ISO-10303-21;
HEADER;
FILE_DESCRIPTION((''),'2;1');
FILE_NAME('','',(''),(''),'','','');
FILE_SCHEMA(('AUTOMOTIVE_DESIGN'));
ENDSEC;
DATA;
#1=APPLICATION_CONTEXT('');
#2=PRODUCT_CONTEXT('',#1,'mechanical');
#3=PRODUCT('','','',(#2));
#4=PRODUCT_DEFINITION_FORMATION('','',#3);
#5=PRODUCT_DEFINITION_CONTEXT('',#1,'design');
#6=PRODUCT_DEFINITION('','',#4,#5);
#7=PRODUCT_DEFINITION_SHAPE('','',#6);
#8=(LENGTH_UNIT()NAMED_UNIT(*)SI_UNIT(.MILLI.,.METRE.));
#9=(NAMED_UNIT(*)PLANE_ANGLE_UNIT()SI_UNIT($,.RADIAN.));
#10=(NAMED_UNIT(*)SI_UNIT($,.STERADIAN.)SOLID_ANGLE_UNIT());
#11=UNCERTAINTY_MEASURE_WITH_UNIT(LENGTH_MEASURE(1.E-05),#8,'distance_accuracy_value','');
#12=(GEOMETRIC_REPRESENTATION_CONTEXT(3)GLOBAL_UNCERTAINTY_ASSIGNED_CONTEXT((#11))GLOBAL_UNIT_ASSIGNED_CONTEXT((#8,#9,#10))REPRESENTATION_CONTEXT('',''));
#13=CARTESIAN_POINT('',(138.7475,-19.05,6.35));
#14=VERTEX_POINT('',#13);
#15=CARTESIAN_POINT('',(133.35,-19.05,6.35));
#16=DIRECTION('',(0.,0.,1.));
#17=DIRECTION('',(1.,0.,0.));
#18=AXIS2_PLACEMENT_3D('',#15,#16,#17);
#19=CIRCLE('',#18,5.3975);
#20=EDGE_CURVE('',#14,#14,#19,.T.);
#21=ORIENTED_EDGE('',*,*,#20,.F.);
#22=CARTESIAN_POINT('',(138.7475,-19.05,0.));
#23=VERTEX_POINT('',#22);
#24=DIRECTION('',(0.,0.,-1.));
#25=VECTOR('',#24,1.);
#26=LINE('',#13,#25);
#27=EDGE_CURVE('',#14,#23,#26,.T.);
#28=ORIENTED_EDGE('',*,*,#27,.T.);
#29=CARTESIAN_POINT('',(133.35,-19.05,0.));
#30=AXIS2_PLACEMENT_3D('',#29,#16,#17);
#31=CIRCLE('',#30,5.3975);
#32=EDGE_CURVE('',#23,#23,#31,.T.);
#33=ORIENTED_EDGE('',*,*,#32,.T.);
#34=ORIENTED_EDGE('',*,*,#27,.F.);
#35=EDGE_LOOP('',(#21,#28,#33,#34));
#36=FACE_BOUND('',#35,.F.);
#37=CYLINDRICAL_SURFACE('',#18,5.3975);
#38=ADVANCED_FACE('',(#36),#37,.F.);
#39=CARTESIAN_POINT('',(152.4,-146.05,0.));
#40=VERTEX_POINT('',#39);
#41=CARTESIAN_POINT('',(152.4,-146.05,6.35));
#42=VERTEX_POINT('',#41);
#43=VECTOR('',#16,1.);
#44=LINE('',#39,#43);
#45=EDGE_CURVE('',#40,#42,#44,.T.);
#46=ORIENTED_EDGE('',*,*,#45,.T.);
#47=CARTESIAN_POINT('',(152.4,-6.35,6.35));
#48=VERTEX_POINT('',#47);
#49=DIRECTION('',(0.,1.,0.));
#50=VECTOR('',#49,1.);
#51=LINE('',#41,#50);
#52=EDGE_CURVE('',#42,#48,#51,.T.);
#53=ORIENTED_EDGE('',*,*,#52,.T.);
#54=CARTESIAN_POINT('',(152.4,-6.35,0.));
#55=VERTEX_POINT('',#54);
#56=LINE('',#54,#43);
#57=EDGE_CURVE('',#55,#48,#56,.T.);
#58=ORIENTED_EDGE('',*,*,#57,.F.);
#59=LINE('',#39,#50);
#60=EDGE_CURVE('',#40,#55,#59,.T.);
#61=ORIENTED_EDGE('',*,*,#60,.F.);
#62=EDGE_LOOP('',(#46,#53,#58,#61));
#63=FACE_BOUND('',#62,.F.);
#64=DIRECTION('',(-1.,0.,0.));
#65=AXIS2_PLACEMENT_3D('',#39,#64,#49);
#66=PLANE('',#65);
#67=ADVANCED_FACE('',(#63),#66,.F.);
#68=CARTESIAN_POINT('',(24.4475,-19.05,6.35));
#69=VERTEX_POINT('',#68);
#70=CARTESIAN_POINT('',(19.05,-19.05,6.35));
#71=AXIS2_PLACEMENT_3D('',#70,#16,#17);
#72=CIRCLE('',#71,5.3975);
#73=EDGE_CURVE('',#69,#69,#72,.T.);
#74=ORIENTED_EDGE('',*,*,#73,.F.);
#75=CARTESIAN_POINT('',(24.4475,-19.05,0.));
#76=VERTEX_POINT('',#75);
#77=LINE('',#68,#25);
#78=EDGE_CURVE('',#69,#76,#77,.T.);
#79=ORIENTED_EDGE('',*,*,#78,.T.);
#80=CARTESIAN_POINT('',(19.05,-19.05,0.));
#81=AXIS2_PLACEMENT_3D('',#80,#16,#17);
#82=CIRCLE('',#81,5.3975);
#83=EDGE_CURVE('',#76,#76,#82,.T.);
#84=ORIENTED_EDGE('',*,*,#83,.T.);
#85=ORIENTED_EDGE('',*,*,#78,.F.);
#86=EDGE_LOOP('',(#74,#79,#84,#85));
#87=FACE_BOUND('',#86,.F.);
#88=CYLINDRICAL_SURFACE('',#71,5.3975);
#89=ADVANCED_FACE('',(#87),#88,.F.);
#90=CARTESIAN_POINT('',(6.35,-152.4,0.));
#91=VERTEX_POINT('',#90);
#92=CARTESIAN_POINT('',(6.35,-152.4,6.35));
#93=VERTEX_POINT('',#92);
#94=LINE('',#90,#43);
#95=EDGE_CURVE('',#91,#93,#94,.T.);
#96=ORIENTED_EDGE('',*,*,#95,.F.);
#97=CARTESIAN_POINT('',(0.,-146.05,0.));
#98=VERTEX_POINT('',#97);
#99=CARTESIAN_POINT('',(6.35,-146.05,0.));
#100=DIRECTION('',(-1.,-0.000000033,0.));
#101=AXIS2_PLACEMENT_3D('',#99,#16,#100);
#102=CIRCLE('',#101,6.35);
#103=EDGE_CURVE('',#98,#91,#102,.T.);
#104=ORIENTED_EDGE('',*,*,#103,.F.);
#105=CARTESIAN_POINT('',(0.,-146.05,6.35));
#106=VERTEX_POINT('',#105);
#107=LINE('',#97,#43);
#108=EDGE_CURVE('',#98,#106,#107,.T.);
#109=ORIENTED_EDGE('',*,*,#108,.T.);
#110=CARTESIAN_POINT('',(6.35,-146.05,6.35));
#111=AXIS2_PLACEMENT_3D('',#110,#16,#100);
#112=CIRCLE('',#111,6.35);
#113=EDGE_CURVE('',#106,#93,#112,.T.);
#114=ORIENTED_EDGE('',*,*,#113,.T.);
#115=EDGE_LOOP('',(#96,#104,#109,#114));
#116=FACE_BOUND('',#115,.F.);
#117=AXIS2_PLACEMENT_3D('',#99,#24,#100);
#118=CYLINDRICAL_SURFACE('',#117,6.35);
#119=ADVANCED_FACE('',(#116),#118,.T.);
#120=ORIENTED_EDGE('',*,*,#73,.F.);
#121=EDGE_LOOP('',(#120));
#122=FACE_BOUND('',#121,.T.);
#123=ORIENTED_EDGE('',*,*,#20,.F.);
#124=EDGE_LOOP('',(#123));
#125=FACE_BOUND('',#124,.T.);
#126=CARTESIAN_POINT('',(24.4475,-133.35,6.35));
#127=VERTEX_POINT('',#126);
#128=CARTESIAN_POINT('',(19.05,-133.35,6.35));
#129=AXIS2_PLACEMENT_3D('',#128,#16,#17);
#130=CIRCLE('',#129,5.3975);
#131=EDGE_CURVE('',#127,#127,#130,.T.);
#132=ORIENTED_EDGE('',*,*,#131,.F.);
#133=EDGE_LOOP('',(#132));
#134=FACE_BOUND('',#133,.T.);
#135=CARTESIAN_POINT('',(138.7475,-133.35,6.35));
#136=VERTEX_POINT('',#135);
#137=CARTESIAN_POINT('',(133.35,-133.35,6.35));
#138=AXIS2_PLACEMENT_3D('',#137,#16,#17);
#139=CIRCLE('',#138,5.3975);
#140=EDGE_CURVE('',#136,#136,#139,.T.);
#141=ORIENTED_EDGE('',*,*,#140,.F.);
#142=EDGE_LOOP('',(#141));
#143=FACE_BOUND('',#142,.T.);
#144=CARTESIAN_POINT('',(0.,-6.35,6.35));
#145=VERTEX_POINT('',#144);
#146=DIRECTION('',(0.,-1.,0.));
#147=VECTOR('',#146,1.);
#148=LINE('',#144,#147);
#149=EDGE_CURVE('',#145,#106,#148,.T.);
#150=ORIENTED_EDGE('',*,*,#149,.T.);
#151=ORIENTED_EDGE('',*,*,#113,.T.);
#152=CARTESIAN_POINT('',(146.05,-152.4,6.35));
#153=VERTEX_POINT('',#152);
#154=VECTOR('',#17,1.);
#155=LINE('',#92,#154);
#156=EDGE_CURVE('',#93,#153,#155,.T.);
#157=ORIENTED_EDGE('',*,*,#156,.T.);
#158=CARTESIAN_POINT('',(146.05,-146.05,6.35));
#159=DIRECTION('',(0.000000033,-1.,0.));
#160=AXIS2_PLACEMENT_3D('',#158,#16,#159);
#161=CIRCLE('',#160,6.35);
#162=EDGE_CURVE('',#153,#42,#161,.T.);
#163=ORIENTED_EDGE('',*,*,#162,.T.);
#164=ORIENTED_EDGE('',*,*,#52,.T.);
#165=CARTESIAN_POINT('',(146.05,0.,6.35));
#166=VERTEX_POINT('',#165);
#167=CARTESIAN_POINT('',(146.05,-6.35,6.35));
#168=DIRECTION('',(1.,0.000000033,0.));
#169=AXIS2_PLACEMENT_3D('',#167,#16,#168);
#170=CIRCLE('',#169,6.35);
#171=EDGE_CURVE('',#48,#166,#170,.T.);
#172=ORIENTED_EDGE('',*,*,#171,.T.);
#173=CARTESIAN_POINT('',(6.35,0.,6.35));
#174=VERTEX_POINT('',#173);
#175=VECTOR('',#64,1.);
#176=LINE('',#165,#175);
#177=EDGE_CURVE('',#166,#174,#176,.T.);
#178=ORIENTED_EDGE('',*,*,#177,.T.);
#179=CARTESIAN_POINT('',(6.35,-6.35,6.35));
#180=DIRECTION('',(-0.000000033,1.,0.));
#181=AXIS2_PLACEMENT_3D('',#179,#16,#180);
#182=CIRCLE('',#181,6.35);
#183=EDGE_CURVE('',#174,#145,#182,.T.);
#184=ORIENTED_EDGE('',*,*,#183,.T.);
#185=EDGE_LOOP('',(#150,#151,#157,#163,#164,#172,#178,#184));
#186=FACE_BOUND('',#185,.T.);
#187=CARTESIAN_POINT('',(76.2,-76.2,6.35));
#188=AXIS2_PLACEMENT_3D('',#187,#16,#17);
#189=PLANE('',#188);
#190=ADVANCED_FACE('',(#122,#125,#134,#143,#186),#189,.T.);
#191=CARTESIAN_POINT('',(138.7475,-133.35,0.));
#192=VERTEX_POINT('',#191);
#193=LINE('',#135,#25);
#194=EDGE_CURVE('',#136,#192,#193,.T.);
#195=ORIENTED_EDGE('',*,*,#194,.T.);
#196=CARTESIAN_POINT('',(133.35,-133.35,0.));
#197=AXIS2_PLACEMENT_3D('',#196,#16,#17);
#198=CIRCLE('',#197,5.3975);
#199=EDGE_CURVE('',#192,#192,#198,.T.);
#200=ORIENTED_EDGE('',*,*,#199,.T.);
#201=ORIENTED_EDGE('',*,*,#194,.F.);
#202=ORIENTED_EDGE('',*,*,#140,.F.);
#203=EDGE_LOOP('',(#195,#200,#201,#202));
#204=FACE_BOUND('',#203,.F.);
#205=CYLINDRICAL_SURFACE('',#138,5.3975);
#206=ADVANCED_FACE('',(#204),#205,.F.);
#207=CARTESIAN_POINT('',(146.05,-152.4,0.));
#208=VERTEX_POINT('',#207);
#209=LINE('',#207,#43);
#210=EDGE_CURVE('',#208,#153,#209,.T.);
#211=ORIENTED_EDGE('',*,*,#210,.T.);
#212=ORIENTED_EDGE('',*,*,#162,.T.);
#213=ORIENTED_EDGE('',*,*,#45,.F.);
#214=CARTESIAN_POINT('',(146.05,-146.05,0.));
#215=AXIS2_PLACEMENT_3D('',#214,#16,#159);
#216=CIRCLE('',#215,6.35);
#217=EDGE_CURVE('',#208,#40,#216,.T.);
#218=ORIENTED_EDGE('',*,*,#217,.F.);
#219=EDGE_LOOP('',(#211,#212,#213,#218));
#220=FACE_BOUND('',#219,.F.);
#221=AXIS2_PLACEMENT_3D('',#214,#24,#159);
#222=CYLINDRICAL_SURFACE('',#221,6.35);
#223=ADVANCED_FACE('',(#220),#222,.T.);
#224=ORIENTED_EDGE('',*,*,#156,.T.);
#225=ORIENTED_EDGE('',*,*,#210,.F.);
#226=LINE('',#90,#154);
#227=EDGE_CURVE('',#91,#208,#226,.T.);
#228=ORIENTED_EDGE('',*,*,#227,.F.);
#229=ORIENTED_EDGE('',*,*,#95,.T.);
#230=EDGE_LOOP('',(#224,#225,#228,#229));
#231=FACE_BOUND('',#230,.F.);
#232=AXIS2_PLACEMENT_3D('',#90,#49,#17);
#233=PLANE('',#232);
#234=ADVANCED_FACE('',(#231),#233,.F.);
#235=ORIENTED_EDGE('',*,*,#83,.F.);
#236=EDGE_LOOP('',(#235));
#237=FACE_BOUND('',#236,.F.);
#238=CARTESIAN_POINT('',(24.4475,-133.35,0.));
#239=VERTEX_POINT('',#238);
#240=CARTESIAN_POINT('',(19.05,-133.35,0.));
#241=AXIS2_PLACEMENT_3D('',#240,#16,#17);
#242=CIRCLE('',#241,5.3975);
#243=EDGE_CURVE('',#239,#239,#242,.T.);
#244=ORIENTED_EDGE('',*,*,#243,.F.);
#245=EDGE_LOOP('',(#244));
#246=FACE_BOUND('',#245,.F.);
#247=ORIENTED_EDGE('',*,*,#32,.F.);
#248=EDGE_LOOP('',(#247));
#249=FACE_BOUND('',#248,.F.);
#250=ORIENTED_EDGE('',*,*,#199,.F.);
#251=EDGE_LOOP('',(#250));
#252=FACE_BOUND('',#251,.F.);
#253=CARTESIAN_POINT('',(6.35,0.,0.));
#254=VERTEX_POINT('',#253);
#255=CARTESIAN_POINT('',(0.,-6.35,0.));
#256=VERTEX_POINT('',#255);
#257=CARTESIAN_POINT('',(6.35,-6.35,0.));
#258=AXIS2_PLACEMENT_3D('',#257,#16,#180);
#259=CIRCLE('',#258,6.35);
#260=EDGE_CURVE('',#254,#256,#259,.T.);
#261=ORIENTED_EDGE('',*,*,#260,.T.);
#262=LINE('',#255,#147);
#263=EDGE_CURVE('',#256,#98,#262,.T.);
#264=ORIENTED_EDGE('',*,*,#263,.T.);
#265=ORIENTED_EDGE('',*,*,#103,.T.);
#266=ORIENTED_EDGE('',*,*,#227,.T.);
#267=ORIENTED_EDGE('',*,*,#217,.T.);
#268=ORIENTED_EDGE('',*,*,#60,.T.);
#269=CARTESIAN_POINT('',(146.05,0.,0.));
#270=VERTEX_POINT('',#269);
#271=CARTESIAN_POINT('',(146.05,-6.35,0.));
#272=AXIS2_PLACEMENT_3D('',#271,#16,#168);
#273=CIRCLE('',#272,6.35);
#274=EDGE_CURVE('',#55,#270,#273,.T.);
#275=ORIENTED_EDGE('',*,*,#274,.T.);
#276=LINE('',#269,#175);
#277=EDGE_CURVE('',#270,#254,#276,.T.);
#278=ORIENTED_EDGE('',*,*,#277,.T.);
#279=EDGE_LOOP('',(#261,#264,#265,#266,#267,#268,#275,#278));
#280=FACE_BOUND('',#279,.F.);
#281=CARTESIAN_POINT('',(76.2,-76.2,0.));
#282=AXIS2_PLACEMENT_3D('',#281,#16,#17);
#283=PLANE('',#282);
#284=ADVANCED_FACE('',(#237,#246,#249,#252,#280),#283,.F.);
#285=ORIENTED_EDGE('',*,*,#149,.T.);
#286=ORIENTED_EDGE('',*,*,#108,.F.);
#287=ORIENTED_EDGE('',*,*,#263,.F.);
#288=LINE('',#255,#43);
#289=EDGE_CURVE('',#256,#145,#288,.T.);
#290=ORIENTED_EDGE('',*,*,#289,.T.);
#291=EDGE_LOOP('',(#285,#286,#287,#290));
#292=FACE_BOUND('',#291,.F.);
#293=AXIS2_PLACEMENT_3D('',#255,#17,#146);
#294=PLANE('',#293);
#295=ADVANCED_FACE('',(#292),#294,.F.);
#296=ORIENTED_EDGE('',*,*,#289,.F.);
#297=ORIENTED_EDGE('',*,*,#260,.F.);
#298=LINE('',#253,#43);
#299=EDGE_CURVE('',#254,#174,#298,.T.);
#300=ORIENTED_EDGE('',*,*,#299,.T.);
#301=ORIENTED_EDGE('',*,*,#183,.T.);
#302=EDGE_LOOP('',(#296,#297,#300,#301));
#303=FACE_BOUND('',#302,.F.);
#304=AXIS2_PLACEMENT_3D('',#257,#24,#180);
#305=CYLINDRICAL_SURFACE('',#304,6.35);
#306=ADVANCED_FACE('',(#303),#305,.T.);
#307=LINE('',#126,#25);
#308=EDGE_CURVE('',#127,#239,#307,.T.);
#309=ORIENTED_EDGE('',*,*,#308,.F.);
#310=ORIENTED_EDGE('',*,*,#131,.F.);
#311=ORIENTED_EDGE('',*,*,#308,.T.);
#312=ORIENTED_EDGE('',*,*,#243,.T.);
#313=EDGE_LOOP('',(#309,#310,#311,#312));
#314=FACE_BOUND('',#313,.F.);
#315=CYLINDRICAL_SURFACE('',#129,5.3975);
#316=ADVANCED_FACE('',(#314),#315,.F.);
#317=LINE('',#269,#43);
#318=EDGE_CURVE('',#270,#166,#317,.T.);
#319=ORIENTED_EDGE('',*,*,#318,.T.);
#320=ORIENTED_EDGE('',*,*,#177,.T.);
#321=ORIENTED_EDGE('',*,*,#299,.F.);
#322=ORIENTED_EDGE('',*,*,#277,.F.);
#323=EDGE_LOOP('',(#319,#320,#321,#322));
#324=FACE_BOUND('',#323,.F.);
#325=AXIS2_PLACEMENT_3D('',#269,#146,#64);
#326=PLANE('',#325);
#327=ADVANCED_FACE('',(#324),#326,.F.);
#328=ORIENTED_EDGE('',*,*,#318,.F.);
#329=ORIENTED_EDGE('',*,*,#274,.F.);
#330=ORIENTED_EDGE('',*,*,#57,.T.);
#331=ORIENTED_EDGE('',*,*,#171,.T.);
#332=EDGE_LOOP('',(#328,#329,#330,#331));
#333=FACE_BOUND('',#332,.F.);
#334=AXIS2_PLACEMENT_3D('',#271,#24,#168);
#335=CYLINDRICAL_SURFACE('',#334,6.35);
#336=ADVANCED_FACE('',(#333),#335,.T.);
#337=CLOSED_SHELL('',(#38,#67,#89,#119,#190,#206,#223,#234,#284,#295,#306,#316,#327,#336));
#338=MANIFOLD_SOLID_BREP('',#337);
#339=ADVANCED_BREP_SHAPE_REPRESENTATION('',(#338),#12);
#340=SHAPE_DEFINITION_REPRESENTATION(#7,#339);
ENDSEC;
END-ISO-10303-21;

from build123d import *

# Parameters (mm, degrees)
F1_DEPTH = 6.35
F2_R     = 5.3975
F3_DEPTH = 6.35


with BuildPart() as f1:
    # F0 (on Top) → F1 (new body)
    with BuildSketch(Plane.XY):
        with BuildLine():
            Line((146.05, 0), (6.35, 0))
            ThreePointArc((6.35, 0), (1.859872, -1.859872), (0, -6.35))
            Line((0, -6.35), (0, -146.05))
            ThreePointArc((0, -146.05), (1.859872, -150.540128), (6.35, -152.4))
            Line((6.35, -152.4), (146.05, -152.4))
            ThreePointArc((146.05, -152.4), (150.540128, -150.540128), (152.4, -146.05))
            Line((152.4, -146.05), (152.4, -6.35))
            ThreePointArc((152.4, -6.35), (150.540128, -1.859872), (146.05, 0))
        make_face()
    extrude(amount=F1_DEPTH)

    # F2 (on face) → F3 (cut)
    with BuildSketch(Plane.XY.offset(6.35)):
        with Locations((133.35, -19.05)):
            Circle(F2_R)
        with Locations((133.35, -133.35)):
            Circle(F2_R)
        with Locations((19.05, -19.05)):
            Circle(F2_R)
        with Locations((19.05, -133.35)):
            Circle(F2_R)
    extrude(amount=-F3_DEPTH, mode=Mode.SUBTRACT)


solid = f1.part
